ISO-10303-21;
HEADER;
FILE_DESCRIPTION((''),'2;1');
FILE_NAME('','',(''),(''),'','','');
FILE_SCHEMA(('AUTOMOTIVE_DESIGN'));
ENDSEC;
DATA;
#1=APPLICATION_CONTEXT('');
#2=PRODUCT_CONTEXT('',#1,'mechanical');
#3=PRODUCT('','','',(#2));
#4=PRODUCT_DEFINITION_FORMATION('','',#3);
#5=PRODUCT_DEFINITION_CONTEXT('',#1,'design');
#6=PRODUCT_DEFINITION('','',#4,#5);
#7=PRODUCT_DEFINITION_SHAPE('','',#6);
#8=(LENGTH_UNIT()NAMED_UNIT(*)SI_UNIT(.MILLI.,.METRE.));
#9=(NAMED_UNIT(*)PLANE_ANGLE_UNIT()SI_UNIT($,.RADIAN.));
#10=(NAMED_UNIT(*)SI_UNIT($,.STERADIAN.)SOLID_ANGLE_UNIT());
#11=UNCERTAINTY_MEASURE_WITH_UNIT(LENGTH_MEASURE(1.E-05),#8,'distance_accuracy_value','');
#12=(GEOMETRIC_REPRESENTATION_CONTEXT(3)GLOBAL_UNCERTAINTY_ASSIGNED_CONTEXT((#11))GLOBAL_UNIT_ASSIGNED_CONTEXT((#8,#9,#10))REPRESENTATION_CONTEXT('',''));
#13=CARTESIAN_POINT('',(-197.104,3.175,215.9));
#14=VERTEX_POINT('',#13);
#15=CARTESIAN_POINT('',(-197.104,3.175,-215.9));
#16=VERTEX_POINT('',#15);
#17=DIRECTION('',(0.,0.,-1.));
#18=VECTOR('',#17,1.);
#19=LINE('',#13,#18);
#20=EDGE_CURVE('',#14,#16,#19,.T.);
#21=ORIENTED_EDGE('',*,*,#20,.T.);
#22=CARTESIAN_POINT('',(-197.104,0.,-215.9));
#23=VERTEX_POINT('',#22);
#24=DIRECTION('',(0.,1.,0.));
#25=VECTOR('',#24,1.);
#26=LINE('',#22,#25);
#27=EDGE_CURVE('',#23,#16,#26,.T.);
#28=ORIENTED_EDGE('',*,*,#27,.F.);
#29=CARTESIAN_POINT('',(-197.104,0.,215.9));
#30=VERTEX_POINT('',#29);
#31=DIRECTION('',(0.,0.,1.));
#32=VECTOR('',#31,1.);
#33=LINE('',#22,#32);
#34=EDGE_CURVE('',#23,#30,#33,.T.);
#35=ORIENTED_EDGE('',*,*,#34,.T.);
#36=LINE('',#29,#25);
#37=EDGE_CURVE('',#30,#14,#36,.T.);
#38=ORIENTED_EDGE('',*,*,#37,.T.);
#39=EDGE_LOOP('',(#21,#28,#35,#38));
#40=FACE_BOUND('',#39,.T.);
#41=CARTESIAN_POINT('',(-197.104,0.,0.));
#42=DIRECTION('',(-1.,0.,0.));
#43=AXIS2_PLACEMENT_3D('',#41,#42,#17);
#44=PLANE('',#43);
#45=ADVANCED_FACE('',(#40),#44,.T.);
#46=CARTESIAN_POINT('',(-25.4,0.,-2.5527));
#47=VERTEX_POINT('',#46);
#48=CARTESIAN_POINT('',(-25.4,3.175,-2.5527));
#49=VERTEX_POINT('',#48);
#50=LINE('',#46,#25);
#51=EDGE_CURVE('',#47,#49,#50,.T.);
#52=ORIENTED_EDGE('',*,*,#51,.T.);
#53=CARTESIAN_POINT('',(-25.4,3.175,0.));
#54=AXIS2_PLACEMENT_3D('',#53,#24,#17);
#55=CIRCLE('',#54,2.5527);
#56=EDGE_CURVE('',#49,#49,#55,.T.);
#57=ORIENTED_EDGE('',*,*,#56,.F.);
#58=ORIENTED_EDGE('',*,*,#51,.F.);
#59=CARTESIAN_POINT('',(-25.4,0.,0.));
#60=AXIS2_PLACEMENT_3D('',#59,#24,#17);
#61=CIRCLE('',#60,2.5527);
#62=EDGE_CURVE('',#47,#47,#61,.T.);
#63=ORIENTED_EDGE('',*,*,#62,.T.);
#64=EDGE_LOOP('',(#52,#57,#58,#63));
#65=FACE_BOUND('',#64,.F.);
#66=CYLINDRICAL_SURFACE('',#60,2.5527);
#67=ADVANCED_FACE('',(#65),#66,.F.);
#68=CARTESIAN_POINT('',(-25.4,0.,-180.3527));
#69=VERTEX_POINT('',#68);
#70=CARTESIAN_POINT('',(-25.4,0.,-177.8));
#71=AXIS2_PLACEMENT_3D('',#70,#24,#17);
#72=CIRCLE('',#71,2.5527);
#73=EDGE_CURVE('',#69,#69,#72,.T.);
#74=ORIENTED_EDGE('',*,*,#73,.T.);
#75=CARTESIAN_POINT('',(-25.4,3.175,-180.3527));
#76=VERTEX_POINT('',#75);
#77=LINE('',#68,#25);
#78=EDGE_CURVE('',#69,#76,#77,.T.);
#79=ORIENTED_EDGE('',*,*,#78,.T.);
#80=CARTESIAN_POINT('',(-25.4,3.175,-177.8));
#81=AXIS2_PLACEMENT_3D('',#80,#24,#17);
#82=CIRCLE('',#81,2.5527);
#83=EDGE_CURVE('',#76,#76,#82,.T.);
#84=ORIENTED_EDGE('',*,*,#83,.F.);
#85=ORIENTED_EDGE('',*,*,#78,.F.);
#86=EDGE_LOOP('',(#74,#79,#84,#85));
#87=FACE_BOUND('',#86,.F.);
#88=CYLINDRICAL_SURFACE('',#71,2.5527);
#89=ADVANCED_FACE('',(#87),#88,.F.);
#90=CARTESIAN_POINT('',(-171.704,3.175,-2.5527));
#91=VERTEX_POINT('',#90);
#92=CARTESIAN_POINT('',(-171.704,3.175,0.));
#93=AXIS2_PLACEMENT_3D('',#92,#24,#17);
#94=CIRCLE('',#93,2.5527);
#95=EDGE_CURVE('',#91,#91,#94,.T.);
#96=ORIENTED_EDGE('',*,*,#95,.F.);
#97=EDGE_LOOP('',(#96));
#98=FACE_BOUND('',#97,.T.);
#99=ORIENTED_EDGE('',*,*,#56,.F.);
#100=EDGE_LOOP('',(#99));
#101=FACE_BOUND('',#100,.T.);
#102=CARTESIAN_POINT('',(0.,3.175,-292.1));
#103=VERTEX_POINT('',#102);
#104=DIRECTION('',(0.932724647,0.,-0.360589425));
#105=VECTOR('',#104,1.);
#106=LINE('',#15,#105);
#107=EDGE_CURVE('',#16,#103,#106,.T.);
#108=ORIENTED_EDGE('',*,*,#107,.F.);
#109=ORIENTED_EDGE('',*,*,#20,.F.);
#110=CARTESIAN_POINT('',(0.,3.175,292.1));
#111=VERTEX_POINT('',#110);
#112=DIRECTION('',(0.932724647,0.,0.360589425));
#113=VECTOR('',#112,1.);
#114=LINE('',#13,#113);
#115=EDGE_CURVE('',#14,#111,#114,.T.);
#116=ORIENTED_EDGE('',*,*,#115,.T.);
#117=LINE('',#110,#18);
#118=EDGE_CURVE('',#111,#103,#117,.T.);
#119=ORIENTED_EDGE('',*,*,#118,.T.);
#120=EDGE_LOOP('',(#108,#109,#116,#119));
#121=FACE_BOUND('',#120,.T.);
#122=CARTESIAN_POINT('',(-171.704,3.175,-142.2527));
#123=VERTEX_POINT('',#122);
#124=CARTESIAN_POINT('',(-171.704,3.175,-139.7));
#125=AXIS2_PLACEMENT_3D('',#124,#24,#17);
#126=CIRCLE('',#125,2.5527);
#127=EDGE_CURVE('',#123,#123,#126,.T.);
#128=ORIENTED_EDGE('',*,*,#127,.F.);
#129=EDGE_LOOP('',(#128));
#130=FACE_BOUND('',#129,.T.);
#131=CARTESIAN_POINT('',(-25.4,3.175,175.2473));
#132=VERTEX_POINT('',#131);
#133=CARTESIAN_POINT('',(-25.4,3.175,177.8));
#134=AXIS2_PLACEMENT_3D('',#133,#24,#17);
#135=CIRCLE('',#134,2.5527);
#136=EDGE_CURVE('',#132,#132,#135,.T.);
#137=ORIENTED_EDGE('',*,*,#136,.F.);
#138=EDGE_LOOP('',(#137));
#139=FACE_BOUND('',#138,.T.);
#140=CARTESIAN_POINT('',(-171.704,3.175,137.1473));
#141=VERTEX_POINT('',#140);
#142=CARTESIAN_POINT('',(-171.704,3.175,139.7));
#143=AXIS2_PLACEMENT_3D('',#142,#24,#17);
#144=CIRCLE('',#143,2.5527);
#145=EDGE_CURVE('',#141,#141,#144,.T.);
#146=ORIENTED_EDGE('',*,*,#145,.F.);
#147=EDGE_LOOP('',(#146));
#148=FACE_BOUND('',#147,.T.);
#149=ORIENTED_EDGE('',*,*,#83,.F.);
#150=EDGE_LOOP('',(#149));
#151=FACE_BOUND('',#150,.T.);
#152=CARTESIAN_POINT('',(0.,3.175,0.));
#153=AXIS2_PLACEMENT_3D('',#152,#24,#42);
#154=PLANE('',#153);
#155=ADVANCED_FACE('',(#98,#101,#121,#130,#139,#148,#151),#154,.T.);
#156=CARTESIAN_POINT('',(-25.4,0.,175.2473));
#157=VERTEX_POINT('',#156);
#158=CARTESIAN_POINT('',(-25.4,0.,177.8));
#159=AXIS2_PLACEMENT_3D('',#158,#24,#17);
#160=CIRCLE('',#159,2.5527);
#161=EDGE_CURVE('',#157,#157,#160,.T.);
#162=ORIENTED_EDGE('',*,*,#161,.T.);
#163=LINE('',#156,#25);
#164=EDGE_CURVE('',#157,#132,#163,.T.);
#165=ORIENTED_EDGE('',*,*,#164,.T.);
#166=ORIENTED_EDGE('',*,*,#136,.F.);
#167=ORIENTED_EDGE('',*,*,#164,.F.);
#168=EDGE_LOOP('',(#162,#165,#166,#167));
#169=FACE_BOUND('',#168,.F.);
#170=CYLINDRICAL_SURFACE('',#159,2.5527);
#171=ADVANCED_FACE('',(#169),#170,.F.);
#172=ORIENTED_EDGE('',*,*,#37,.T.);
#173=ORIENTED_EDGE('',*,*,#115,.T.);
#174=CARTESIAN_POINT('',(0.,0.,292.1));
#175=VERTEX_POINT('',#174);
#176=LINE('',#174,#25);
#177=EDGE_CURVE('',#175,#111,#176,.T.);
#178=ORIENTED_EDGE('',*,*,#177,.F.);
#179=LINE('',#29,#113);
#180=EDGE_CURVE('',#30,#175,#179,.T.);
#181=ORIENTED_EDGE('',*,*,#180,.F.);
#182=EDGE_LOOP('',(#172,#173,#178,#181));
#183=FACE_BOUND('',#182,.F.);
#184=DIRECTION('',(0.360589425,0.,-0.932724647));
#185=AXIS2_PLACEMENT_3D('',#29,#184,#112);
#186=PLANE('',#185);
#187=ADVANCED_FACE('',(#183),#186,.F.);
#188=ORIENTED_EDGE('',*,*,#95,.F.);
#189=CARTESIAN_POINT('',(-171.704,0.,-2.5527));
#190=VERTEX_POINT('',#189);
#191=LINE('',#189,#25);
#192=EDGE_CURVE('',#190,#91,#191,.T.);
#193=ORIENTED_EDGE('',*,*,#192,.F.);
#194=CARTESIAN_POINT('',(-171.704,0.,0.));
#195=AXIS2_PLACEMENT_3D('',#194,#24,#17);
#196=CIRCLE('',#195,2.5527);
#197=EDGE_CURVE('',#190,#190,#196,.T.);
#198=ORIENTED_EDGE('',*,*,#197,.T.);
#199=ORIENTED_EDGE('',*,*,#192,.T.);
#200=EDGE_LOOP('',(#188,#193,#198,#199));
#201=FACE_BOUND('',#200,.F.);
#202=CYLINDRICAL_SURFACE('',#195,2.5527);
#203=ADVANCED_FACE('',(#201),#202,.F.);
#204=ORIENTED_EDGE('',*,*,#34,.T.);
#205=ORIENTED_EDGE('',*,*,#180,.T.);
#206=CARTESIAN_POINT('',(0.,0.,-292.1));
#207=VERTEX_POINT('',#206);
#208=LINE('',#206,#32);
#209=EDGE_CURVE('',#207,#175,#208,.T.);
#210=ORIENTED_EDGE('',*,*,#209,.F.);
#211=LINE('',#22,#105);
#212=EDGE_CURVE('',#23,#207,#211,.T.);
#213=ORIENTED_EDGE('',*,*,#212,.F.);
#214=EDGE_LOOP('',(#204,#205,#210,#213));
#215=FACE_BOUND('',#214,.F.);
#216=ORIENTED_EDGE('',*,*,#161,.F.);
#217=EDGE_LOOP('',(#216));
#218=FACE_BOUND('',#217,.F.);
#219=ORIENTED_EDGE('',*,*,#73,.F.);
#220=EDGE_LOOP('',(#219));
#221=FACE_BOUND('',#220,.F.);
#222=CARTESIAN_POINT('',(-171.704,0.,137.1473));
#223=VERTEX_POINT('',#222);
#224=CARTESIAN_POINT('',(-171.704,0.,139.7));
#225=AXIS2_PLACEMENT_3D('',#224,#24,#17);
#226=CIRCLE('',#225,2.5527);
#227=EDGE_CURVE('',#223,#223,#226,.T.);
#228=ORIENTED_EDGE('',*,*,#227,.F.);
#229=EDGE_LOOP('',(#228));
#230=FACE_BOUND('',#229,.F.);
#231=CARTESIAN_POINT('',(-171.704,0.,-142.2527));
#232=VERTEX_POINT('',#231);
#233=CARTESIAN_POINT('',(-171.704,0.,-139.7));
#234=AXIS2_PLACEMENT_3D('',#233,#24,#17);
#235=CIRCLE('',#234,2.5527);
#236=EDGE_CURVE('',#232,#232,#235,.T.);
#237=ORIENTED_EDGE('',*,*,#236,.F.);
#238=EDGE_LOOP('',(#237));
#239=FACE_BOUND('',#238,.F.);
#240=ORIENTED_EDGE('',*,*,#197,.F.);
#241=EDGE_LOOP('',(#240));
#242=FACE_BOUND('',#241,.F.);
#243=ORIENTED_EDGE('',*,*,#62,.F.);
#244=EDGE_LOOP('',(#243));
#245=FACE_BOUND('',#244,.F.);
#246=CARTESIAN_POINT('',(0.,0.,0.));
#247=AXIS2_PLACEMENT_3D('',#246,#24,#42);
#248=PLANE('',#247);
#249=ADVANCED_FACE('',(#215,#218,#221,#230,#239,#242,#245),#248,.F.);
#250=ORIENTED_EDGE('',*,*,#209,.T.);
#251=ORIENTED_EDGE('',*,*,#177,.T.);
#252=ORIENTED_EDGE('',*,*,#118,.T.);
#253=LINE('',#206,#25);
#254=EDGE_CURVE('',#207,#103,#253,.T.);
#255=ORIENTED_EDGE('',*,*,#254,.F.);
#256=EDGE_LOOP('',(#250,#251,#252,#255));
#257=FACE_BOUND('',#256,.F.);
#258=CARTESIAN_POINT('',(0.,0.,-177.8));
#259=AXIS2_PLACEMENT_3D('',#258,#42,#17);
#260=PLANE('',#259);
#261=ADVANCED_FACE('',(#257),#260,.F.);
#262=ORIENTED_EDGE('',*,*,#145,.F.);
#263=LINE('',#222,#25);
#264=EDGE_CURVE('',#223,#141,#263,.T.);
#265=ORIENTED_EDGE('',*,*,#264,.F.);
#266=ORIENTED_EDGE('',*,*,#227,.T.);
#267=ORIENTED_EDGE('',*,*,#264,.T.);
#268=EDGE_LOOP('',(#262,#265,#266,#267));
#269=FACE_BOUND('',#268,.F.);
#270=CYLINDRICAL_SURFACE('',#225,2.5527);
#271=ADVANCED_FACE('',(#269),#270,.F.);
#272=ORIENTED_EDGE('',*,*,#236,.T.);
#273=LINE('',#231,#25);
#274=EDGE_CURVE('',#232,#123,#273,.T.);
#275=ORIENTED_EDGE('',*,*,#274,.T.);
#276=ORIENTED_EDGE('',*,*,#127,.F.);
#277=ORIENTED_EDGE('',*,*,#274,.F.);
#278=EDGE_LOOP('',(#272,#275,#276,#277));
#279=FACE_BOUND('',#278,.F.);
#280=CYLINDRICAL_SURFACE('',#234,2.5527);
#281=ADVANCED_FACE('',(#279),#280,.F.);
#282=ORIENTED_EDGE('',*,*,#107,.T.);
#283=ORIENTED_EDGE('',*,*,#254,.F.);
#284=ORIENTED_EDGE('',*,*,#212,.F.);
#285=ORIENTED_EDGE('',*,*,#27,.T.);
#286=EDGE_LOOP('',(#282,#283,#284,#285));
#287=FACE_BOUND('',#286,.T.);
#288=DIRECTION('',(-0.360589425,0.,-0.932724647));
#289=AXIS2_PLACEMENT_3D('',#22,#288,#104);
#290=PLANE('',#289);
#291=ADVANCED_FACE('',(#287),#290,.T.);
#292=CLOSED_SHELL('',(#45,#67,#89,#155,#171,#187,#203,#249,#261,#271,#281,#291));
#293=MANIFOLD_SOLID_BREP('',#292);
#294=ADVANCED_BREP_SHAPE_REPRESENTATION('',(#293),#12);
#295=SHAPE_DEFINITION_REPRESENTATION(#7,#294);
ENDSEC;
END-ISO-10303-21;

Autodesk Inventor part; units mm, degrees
ref_plane "YZ Plane" through (0, 0, 0) normal (1, 0, 0) x (0, 1, 0)
ref_plane "XZ Plane" through (0, 0, 0) normal (0, 1, 0) x (-1, 0, 0)
ref_plane "XY Plane" through (0, 0, 0) normal (0, 0, 1) x (1, 0, 0)
sketch "Sketch1" plane through (0, 0, 0) normal (0, 1, 0) x (-1, 0, 0)
  line L0 (0, 0) -> (0, 292.1)
  line L1 (0, 0) -> (0, -292.1)
  line L2 (0, 0) -> (197.104, 0)
  line L3 (197.104, 0) -> (197.104, 215.9)
  line L4 (197.104, 0) -> (197.104, -215.9)
  line L5 (197.104, -215.9) -> (0, -292.1)
  line L6 (197.104, 215.9) -> (0, 292.1)
  line L7 (197.104, 215.9) -> (197.104, 139.7)
  line L8 (197.104, 139.7) -> (171.704, 139.7)
  line L9 (0, 292.1) -> (0, 177.8)
  line L10 (0, -292.1) -> (0, -177.8)
  line L11 (0, -177.8) -> (25.4, -177.8)
  line L12 (0, 177.8) -> (25.4, 177.8)
  line L13 (197.104, 0) -> (171.704, 0)
  line L14 (0, 0) -> (25.4, 0)
  line L15 (197.104, -215.9) -> (197.104, -139.7)
  line L16 (197.104, -139.7) -> (171.704, -139.7)
  dimension "d0" = 292.1
  dimension "d1" = 292.1
  dimension "d2" = 197.104
  dimension "d3" = 215.9
  dimension "d4" = 215.9
  dimension "d7" = 76.2
  dimension "d8" = 25.4
  dimension "d10" = 114.3
  dimension "d11" = 114.3
  dimension "d12" = 25.4
  dimension "d13" = 25.4
  dimension "d14" = 25.4
  dimension "d15" = 25.4
  dimension "d18" = 76.2
  dimension "d19" = 25.4
extrude "Extrusion1" add sketch "Sketch1" along normal blind 3.175
hole "Hole1" at (-171.704, 0, -139.7) at (-25.4, 0, -177.8) at (-25.4, 0, 0) at (-171.704, 0, 0) at (-171.704, 0, 139.7) at (-25.4, 0, 177.8) direction (0, 1, 0) diameter 5.1054 end through all clearance for "Flat Head Machine Screw (82)" size "#10" standard "Ansi Unified Screw Threads"
properties part number "angledfloorfit2"
